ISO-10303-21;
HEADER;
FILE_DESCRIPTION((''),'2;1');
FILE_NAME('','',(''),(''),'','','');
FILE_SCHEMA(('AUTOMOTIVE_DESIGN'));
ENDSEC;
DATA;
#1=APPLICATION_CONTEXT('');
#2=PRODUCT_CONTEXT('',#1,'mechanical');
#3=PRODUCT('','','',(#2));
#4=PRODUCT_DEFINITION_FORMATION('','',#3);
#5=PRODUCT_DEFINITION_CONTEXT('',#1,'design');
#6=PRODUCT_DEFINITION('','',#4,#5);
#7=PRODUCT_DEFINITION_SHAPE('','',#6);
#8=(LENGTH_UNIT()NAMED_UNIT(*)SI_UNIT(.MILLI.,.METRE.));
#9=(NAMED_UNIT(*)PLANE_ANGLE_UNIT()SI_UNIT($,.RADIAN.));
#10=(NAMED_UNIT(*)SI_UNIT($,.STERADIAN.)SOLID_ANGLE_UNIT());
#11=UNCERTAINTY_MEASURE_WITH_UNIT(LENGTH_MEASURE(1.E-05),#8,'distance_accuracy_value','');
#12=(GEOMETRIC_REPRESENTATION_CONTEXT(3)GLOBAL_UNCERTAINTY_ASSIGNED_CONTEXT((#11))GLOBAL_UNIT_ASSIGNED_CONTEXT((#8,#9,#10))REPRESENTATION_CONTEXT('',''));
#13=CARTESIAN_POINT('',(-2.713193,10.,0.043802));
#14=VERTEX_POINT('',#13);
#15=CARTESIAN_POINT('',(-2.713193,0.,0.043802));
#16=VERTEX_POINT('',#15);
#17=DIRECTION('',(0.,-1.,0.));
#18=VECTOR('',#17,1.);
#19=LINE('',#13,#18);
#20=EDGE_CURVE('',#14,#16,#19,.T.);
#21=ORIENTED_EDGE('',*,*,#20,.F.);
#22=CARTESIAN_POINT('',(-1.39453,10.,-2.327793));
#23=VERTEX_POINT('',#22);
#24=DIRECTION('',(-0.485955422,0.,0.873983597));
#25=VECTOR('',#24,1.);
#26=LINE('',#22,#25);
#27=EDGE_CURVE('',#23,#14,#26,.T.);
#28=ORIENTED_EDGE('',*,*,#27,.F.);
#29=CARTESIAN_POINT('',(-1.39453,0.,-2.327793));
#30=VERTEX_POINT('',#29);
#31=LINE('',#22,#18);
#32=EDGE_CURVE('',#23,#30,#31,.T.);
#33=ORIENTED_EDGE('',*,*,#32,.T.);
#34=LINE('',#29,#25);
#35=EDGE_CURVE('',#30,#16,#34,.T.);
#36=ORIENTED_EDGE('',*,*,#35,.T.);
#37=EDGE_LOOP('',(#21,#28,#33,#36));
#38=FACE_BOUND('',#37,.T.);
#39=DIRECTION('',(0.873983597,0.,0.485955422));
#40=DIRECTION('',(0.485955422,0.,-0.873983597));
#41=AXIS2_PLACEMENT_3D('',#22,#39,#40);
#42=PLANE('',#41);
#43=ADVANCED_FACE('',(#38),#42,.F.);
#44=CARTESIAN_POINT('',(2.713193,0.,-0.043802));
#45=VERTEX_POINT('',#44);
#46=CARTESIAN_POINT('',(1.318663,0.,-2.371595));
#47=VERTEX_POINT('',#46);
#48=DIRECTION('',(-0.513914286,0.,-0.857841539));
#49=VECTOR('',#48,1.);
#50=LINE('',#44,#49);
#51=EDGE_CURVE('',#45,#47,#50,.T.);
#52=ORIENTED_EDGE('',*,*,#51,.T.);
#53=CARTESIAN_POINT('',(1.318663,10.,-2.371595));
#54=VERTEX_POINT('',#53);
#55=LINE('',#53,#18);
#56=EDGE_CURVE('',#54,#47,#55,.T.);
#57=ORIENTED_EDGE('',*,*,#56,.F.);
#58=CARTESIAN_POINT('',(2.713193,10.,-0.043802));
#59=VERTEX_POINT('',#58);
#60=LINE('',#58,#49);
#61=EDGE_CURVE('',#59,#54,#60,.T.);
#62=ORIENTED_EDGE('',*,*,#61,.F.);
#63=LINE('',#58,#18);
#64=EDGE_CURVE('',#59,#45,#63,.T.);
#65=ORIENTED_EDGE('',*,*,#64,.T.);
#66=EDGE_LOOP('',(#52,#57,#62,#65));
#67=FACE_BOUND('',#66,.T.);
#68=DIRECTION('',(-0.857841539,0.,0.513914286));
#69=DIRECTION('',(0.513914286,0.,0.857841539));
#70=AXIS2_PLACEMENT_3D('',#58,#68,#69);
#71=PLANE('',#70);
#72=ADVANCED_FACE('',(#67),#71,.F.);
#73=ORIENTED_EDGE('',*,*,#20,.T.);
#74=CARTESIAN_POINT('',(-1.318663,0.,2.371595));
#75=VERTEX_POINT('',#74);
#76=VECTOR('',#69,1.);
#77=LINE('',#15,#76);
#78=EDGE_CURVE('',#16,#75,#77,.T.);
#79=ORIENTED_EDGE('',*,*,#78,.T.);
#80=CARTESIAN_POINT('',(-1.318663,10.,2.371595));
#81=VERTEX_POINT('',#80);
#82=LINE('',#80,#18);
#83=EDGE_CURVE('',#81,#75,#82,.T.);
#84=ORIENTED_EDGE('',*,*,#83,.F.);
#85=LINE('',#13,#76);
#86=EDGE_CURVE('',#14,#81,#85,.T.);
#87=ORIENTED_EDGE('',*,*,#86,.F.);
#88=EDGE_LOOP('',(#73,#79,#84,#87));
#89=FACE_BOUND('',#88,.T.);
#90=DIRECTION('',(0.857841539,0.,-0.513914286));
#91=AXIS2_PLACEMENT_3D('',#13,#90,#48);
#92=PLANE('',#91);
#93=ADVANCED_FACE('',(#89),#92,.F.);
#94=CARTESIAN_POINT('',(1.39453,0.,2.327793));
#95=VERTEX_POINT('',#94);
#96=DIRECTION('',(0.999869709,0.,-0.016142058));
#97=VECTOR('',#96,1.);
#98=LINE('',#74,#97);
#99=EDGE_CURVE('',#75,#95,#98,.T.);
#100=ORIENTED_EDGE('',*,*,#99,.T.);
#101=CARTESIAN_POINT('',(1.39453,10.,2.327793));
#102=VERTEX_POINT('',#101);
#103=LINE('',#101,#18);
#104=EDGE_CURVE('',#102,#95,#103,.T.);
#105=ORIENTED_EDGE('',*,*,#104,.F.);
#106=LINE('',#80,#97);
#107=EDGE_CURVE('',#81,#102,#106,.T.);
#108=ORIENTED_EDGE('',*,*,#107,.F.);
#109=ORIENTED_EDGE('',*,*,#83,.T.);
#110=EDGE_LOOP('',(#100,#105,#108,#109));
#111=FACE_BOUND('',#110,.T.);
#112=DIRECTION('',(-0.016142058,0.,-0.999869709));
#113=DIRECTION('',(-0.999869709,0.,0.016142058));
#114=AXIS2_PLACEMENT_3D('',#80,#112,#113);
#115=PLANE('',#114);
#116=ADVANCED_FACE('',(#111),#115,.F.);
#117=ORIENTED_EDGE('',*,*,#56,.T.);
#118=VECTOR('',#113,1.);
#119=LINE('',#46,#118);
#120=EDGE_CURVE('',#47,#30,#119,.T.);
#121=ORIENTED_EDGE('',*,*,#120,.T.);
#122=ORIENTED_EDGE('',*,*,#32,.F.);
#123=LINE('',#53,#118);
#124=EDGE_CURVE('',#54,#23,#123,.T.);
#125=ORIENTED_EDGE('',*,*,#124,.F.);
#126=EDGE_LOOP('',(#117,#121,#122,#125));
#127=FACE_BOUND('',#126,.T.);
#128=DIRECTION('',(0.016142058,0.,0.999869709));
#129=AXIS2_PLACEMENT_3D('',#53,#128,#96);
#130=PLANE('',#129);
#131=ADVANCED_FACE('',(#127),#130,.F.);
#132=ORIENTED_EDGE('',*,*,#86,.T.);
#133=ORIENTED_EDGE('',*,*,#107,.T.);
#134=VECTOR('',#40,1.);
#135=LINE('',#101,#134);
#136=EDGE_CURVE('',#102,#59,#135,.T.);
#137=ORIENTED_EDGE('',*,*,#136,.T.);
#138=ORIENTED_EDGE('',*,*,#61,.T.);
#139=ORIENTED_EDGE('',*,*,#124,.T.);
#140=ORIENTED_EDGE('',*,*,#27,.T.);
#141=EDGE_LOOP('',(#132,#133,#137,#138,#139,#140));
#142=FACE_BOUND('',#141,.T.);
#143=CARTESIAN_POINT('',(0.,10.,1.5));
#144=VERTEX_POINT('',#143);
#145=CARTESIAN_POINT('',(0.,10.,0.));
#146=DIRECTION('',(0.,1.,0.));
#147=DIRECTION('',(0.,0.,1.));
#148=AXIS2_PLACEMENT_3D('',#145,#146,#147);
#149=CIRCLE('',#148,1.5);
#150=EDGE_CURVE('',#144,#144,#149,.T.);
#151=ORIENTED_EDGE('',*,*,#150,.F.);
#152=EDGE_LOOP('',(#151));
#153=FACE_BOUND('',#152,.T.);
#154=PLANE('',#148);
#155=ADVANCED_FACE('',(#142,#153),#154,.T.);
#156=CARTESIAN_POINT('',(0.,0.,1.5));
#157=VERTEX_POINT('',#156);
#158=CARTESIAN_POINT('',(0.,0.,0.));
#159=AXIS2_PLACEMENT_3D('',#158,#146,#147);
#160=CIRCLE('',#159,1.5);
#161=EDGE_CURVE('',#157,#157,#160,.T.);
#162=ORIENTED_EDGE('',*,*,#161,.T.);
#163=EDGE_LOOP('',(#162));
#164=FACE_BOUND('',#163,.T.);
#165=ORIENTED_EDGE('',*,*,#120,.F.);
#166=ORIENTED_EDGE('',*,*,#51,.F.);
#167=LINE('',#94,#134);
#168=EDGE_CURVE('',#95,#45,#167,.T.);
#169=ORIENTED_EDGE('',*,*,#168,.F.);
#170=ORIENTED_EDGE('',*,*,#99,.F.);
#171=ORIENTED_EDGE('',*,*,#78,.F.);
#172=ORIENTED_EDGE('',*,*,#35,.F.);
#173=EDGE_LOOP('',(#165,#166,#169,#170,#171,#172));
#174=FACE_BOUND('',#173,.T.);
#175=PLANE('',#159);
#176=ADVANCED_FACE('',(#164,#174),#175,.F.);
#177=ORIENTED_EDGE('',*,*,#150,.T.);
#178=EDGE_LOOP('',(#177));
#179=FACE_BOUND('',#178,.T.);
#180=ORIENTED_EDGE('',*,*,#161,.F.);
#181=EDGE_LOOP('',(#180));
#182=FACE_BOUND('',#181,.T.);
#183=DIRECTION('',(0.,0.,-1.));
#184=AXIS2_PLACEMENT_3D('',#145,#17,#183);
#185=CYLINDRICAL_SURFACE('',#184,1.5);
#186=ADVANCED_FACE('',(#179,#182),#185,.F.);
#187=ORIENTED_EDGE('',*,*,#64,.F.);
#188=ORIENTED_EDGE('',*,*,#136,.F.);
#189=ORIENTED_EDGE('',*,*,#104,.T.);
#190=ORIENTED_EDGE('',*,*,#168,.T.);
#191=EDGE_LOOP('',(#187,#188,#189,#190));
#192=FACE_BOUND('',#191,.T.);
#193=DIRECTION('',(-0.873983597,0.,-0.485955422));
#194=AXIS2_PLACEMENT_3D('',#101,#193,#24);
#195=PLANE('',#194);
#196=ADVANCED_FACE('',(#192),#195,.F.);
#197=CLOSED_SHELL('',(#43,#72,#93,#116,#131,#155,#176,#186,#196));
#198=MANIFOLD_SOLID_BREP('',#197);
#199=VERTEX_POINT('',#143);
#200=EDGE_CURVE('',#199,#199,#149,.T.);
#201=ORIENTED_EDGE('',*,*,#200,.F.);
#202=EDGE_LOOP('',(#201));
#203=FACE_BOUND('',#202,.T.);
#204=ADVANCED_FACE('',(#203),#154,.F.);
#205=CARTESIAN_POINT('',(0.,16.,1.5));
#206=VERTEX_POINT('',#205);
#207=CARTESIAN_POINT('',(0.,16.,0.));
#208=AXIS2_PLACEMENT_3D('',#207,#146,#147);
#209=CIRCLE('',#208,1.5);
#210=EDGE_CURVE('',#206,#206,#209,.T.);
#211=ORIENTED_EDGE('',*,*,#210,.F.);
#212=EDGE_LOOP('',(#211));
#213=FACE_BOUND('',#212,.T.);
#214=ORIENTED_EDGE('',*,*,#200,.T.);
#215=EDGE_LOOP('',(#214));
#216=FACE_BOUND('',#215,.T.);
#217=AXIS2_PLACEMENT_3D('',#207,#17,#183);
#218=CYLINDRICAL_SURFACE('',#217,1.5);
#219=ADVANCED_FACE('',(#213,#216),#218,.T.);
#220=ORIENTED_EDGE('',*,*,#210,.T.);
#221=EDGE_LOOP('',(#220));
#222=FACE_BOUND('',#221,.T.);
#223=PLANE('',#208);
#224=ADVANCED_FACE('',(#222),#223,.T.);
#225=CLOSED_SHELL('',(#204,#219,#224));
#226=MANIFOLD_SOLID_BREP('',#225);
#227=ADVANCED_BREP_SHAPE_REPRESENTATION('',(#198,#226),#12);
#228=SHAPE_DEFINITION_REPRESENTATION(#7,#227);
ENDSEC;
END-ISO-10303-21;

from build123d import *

# Parameters (mm, degrees)
SKETCH_1_R      = 1.5
EXTRUDE_1_DEPTH = 10
SKETCH_2_R      = 1.5
EXTRUDE_2_DEPTH = 6


with BuildPart() as part:
    # 草图1 → 凸台-拉伸1 (new body)
    with BuildSketch(Plane(origin=(0, 0, 0), x_dir=(1, 0, 0), z_dir=(0, 1, 0))):
        Polygon((1.394530192, -2.327792705), (2.713192713, 0.04380222), (1.318662521, 2.371594925), (-1.394530192, 2.327792705), (-2.713192713, -0.04380222), (-1.318662521, -2.371594925), align=None)
        with Locations(Location((0, 0, 0), (0, 0, 270))):
            Circle(SKETCH_1_R, mode=Mode.SUBTRACT)
    extrude(amount=EXTRUDE_1_DEPTH)


with BuildPart() as body_2:
    # 草图2 → 凸台-拉伸2 (new body)
    with BuildSketch(Plane(origin=(0, 10, 0), x_dir=(1, 0, 0), z_dir=(0, 1, 0))):
        with Locations(Location((0, 0, 0), (0, 0, 270))):
            Circle(SKETCH_2_R)
    extrude(amount=EXTRUDE_2_DEPTH)


solid = Compound([part.part, body_2.part])
